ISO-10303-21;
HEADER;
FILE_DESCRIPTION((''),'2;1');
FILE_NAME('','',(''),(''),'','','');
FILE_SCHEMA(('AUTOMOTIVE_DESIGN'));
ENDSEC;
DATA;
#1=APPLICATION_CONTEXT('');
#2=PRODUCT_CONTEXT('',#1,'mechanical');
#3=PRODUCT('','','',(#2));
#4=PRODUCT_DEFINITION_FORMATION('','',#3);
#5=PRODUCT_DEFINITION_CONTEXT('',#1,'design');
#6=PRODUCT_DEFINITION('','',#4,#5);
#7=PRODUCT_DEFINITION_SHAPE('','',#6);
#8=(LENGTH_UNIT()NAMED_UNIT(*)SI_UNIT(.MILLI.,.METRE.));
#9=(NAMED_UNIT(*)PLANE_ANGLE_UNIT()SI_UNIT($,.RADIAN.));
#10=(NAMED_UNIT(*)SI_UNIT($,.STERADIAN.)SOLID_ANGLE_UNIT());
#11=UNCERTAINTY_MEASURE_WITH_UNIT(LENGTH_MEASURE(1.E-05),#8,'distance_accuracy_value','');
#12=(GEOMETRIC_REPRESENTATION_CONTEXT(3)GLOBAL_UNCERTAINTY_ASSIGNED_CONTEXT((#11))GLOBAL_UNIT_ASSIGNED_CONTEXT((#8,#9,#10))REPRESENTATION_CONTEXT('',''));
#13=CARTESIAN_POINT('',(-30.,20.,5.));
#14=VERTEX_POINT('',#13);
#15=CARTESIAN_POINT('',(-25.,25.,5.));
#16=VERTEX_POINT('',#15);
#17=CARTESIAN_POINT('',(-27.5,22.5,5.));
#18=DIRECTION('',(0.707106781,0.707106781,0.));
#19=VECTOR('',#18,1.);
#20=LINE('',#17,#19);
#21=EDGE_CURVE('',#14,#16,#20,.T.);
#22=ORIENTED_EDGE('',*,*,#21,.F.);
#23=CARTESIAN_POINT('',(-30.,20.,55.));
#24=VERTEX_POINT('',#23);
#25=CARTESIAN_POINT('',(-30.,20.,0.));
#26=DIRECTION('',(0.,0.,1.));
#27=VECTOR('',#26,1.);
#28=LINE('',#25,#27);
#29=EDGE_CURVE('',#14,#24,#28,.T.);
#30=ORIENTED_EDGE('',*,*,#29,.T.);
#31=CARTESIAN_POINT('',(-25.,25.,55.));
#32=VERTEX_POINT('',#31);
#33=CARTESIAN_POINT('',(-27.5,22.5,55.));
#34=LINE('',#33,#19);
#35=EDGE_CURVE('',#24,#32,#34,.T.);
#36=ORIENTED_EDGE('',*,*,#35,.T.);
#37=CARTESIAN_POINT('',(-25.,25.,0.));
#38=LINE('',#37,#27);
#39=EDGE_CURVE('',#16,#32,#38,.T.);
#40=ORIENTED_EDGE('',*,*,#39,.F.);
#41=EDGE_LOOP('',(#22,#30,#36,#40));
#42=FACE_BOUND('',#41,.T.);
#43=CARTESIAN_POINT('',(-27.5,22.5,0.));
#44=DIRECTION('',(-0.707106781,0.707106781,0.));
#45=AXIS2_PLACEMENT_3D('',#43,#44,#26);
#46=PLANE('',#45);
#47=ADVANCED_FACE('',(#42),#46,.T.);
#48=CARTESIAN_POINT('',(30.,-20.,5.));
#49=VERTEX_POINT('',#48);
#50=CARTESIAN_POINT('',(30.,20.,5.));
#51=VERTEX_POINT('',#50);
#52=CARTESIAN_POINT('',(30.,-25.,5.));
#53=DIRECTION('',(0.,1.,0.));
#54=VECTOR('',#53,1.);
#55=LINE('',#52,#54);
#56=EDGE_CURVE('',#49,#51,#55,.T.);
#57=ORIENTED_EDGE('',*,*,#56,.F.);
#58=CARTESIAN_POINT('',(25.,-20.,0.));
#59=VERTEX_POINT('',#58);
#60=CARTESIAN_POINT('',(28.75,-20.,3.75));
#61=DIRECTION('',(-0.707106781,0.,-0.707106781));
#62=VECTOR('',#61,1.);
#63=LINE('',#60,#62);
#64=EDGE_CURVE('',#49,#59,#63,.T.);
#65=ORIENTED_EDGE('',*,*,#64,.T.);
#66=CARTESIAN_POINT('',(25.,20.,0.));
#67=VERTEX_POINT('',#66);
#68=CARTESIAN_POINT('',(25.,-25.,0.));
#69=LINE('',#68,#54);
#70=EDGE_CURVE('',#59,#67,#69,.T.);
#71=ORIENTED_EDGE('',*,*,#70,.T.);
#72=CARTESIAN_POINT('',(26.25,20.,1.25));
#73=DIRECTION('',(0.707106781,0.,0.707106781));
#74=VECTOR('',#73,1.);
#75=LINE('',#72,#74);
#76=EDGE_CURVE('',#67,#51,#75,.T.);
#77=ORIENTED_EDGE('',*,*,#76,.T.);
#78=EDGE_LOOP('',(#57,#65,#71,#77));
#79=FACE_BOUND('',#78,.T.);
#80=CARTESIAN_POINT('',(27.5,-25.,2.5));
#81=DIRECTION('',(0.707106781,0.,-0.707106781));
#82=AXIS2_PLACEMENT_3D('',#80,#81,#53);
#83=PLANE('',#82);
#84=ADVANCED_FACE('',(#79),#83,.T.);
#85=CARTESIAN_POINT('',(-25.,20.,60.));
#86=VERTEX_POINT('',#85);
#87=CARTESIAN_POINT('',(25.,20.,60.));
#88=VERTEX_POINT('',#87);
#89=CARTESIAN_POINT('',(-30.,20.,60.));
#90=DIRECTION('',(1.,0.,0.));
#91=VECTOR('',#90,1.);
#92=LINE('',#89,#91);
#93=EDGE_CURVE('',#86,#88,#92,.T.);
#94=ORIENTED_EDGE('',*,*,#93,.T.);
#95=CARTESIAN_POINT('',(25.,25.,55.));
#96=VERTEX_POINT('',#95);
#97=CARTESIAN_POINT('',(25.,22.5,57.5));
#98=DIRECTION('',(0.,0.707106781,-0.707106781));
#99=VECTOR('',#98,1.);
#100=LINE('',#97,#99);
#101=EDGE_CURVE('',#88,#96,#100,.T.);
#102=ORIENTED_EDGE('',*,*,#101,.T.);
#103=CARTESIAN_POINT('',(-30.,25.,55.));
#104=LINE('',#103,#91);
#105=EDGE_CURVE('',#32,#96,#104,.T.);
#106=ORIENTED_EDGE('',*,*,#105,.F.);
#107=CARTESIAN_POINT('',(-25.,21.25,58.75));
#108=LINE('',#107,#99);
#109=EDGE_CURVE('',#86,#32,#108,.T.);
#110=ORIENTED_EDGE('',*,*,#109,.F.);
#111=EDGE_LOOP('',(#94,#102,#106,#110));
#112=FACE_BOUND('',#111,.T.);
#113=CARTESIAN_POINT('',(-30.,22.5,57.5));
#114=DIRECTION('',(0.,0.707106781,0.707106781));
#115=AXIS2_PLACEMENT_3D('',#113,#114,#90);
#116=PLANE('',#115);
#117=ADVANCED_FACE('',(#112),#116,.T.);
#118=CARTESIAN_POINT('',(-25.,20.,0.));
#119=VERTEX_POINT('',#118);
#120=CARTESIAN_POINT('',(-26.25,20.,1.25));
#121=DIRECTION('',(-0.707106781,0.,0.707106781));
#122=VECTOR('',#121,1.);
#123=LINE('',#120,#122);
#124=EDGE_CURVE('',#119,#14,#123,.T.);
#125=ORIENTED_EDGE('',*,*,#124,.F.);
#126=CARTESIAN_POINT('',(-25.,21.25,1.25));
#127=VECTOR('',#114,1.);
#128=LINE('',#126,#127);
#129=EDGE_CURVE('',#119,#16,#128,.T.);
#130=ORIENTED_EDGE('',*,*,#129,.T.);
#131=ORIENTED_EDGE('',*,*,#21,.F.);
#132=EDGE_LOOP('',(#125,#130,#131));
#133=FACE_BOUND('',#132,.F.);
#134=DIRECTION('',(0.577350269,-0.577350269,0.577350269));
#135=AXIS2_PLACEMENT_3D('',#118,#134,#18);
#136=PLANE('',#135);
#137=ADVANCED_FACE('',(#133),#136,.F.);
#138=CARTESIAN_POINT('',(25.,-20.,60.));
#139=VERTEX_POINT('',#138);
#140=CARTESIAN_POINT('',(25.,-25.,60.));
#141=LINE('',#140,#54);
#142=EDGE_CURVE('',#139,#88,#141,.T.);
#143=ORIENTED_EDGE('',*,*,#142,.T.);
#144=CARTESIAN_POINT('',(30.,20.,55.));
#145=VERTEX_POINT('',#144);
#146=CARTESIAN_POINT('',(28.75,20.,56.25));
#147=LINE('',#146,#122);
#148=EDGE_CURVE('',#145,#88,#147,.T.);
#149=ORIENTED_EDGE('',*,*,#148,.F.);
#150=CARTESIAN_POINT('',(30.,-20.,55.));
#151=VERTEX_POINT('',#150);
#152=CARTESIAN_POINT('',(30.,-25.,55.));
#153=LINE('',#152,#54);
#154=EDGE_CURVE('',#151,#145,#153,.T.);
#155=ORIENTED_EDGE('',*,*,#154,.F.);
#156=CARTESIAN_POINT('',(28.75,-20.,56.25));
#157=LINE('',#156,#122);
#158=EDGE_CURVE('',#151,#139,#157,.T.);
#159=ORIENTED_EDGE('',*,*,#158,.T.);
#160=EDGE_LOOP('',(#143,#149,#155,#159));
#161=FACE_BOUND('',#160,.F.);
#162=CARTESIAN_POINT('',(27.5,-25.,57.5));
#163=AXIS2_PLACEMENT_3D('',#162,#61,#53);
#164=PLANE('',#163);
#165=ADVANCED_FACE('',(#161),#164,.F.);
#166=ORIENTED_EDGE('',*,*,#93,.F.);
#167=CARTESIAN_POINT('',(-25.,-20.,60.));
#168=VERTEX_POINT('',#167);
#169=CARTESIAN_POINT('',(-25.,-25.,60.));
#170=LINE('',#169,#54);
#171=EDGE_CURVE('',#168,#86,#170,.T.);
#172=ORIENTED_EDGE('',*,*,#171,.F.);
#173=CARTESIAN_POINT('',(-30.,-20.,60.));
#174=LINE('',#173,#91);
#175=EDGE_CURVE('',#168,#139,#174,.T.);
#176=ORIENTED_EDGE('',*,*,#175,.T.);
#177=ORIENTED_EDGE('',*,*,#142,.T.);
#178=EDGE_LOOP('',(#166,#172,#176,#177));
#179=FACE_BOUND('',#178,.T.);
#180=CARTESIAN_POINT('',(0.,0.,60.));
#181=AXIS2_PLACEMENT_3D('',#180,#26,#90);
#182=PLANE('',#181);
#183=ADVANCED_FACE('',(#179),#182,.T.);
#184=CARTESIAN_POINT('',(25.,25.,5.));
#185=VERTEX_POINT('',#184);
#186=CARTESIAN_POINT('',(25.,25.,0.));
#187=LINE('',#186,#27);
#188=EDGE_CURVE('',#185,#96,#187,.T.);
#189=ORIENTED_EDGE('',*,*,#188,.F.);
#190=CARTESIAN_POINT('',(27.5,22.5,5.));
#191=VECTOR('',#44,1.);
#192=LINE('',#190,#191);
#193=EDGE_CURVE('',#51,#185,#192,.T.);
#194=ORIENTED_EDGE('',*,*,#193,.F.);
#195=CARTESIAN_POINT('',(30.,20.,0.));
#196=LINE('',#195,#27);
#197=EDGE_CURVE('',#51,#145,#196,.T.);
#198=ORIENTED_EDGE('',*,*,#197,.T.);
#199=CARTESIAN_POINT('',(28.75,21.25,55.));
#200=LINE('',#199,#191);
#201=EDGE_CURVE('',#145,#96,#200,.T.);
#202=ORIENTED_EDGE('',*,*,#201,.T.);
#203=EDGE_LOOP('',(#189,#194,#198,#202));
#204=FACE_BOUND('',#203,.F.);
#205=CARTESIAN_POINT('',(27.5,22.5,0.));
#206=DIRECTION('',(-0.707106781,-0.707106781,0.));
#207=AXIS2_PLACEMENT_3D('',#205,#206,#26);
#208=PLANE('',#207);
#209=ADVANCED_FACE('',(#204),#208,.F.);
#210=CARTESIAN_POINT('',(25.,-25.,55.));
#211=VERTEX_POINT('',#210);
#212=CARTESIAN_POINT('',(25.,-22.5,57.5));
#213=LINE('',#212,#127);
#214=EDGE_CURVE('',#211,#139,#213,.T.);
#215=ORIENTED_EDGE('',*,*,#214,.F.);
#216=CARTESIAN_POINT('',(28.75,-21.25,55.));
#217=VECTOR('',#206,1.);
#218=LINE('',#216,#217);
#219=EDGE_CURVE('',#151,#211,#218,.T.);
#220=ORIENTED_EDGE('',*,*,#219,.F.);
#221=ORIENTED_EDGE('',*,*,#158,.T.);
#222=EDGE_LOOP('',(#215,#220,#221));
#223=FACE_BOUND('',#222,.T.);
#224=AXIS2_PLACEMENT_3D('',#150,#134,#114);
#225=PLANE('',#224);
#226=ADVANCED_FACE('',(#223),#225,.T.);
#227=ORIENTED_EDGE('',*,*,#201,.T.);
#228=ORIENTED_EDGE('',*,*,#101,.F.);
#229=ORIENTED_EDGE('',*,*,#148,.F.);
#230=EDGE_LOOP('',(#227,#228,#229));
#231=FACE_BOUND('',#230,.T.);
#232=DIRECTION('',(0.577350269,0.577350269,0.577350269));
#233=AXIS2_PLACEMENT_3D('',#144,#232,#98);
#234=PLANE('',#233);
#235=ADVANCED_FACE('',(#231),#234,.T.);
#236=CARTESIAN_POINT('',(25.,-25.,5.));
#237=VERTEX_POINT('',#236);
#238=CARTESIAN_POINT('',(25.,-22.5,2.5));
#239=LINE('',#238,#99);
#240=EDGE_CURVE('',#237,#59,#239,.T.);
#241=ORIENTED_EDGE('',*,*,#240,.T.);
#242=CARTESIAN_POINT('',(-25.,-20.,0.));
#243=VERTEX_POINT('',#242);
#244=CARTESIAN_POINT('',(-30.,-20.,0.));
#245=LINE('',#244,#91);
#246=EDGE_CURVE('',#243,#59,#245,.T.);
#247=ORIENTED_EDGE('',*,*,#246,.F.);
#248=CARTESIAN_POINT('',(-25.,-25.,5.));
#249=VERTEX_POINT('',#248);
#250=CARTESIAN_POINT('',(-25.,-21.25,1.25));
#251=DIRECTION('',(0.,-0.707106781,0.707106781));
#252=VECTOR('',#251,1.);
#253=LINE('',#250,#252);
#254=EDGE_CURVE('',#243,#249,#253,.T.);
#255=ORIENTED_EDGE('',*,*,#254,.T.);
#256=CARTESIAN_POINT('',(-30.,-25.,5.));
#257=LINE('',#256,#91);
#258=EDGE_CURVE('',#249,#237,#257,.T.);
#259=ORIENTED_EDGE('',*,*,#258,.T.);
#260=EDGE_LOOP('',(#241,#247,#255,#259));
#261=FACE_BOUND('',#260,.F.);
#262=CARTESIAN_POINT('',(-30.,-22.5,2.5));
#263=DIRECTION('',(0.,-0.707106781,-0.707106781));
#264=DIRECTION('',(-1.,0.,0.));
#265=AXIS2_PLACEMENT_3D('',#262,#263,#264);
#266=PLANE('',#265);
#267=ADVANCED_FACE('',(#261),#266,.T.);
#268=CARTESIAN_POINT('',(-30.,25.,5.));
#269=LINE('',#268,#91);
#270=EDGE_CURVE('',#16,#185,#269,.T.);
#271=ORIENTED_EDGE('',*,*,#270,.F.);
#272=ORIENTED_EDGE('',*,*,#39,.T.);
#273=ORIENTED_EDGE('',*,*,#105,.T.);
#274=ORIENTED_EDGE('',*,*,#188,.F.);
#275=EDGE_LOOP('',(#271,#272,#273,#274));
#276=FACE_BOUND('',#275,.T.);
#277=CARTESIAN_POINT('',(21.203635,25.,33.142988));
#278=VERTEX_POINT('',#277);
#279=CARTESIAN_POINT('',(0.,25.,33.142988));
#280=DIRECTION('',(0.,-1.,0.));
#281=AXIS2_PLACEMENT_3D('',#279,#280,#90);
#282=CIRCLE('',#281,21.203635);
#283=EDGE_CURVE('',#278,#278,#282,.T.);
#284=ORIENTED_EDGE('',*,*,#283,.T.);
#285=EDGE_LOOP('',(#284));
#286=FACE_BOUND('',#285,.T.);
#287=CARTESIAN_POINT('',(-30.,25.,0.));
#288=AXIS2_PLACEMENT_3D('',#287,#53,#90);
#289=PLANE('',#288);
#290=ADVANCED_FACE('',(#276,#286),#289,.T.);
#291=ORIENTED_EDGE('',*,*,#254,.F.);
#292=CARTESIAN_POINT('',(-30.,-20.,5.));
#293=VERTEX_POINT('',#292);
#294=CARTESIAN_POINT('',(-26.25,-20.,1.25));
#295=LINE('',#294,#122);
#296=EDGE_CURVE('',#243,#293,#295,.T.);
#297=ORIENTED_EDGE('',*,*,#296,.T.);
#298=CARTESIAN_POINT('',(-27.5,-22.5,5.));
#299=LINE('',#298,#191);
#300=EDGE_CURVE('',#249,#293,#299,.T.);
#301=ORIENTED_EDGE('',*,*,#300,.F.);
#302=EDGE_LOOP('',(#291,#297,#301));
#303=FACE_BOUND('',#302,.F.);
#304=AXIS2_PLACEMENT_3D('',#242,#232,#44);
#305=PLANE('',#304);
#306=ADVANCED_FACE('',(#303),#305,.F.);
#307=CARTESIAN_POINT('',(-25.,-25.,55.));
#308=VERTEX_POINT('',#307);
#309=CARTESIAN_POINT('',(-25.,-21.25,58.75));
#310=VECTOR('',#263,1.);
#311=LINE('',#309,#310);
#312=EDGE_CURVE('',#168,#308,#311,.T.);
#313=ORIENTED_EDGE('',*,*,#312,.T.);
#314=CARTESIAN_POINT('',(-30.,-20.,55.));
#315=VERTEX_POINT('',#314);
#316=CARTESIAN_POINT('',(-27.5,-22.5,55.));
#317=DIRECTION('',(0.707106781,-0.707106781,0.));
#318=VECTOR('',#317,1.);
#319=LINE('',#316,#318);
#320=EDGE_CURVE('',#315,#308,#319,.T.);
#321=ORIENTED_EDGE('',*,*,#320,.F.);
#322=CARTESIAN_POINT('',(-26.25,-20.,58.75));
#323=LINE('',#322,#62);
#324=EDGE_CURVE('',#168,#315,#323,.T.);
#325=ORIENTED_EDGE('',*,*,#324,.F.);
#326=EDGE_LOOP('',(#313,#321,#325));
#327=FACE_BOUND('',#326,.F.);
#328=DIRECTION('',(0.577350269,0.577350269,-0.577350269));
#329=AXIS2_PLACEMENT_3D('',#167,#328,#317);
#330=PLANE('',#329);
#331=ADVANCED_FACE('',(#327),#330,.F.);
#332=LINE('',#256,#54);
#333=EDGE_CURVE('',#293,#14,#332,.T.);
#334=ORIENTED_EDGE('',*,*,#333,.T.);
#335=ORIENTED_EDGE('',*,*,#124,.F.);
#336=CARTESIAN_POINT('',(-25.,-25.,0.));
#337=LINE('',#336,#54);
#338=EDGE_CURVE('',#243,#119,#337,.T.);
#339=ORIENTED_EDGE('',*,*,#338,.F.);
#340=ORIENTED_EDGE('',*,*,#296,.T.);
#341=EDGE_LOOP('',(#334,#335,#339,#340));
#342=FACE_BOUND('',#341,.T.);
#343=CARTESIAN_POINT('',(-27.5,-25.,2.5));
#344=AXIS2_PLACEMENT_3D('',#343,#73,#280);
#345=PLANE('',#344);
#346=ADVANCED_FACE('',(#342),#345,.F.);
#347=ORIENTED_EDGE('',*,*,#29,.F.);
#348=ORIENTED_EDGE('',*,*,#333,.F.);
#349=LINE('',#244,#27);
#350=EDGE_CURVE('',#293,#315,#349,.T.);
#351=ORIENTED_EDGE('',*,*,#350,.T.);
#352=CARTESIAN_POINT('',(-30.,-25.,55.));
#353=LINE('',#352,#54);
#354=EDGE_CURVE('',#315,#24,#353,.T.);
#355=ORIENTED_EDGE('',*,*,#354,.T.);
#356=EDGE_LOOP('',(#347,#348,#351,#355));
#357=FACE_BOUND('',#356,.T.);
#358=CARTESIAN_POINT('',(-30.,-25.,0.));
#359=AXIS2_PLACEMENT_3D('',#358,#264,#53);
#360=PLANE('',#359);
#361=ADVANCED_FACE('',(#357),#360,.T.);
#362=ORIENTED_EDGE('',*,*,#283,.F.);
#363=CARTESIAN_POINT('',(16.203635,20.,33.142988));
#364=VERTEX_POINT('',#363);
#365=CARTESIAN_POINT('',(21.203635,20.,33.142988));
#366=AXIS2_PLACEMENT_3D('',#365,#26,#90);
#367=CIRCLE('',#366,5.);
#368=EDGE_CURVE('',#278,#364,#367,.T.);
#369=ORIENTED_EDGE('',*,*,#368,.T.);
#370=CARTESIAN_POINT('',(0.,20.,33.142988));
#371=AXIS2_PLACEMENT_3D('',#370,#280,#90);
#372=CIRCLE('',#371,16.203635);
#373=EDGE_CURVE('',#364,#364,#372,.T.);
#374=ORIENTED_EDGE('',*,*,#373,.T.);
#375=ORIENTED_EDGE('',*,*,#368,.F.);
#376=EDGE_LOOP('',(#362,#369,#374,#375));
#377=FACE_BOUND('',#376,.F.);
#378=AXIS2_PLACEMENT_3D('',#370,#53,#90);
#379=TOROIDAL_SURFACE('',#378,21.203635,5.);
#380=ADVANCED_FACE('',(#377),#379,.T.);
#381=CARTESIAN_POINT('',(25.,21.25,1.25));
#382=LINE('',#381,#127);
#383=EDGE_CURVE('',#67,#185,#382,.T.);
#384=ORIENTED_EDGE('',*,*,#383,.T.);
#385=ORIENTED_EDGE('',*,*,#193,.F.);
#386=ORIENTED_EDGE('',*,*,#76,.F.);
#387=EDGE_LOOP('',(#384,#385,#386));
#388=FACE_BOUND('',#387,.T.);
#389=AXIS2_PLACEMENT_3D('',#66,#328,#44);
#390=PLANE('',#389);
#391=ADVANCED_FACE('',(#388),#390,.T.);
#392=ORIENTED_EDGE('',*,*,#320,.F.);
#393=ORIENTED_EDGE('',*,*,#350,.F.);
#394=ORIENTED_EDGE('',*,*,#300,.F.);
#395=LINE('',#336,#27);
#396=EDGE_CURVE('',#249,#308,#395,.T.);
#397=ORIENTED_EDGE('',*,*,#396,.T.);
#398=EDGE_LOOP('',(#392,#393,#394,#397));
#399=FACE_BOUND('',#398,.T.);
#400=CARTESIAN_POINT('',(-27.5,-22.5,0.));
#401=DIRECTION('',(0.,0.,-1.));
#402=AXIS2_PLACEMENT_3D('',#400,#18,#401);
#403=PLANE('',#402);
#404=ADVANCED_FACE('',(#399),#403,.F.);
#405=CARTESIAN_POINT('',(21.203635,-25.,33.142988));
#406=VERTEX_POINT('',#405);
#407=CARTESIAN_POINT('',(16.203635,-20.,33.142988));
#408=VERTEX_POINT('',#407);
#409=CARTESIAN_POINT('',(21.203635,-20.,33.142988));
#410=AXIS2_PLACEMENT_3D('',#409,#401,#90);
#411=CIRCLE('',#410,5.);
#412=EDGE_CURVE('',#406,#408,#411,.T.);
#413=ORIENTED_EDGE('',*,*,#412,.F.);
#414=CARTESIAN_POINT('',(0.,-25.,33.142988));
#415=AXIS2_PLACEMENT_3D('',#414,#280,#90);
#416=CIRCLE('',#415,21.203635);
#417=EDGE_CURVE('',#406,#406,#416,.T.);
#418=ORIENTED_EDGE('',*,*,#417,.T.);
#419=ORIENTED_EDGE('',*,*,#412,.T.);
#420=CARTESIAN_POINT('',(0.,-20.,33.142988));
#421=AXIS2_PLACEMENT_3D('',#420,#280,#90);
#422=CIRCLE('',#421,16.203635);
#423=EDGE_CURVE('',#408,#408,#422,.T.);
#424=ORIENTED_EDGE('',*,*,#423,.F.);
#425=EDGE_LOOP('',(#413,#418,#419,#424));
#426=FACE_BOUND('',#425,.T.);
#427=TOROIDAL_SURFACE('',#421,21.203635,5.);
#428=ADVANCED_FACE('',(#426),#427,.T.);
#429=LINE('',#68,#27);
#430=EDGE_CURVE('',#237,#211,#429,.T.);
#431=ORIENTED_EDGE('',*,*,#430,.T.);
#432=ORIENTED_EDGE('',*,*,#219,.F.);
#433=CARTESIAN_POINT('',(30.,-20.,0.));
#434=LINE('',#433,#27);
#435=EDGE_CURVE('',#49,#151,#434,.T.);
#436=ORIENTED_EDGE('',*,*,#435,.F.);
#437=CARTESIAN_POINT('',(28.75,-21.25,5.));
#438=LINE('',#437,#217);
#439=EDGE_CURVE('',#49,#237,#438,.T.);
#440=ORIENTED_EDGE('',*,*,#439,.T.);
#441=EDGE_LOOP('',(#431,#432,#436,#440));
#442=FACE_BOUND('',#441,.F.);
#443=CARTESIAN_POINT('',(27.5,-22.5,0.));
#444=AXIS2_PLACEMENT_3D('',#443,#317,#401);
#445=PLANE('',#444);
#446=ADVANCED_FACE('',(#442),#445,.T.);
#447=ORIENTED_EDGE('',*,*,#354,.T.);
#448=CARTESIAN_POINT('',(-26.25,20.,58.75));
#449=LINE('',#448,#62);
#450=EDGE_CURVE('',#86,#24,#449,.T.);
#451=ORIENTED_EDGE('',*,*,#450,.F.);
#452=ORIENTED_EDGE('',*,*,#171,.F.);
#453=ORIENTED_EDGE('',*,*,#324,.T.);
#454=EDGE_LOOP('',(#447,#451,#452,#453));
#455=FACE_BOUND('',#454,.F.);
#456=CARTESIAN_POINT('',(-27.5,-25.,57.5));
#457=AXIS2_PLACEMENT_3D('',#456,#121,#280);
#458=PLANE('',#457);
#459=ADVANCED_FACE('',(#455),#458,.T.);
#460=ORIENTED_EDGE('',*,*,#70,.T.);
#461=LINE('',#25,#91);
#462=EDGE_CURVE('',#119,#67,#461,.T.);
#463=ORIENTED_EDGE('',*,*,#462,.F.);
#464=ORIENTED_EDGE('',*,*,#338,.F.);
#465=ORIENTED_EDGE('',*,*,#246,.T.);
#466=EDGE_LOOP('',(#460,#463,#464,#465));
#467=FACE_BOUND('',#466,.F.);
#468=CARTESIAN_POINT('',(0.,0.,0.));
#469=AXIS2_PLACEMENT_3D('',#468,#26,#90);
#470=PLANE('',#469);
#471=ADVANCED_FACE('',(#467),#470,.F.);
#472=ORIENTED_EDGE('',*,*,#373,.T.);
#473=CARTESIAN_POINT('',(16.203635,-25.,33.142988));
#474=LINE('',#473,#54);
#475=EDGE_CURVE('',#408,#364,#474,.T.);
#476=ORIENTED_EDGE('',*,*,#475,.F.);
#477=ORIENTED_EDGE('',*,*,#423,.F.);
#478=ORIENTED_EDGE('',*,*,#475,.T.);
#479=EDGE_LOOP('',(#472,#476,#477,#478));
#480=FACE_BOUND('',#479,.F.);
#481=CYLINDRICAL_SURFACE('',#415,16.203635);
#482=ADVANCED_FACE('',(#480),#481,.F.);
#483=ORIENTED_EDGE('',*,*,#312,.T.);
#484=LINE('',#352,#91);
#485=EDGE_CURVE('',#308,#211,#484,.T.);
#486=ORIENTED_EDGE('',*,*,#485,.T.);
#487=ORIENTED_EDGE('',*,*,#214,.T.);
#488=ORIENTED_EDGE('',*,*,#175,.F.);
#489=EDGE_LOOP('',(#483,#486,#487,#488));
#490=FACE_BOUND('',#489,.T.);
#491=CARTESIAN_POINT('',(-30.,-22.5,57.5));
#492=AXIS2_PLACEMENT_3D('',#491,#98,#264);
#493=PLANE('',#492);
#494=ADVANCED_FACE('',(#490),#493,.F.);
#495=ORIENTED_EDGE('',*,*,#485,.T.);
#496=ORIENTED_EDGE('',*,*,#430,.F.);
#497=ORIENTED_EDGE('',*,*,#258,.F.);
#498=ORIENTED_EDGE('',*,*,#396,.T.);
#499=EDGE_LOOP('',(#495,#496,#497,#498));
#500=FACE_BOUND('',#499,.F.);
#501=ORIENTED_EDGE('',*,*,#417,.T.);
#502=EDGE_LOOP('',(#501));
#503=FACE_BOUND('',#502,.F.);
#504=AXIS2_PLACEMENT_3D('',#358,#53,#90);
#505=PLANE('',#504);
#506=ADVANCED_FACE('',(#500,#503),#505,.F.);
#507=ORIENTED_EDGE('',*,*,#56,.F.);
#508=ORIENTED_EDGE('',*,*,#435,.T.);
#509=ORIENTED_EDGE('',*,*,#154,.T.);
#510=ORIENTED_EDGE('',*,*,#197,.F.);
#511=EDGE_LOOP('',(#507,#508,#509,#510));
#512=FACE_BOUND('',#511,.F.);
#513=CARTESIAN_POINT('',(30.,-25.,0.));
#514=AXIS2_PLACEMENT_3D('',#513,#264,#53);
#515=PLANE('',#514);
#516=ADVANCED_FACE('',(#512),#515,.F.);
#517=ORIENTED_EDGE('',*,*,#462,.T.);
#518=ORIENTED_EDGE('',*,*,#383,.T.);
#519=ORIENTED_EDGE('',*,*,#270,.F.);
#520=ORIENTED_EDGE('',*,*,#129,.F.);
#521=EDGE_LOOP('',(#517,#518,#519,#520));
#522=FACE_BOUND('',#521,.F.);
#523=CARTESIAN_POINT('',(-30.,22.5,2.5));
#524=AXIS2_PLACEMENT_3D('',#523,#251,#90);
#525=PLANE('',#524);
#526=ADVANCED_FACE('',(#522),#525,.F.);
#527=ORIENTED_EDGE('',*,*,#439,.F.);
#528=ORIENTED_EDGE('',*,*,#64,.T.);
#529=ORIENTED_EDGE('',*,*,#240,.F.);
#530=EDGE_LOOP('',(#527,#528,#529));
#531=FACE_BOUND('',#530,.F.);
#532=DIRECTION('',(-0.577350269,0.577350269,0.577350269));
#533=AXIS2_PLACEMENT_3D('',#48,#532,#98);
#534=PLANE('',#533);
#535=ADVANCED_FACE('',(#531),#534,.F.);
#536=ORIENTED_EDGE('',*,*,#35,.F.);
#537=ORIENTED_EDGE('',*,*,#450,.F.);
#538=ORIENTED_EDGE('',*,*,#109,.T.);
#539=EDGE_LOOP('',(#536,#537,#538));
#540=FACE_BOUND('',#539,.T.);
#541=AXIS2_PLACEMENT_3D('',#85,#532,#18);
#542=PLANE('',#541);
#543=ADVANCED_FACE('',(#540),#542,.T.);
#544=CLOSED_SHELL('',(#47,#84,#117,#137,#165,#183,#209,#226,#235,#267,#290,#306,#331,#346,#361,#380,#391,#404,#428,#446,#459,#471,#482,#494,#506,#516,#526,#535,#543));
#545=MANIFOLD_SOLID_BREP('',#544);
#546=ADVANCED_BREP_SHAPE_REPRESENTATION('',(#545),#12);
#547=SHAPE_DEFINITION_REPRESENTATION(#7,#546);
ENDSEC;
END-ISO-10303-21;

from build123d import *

# Parameters (mm, degrees)
F0_W     = 60
F0_H     = 50
F1_DEPTH = 60
F2_R     = 16.203635
F3_DEPTH = 50.001
F4_R     = 5
F5_SIZE  = 5


with BuildPart() as f1:
    # F0 (on Top) → F1 (new body)
    with BuildSketch(Plane.XY):
        Rectangle(F0_W, F0_H)
    extrude(amount=F1_DEPTH)

    # F2 (on face) → F3 (cut, through all)
    with BuildSketch(Plane.XZ.offset(25)):
        with Locations((0, 33.142988)):
            Circle(F2_R)
    extrude(amount=-F3_DEPTH, mode=Mode.SUBTRACT)

    # F4
    f4_edges = [f1.edges().sort_by_distance(p)[0] for p in [
        (-16.203635, -25, 33.142988),
        (-16.203635, 25, 33.142988),
    ]]
    fillet(f4_edges, radius=F4_R)

    # F5
    f5_edges = [f1.edges().sort_by_distance(p)[0] for p in [
        (-30, 25, 30),
        (-30, -25, 30),
        (-30, 0, 60),
        (0, 25, 60),
        (0, -25, 60),
        (0, -25, 0),
        (-30, 0, 0),
        (30, -25, 30),
        (30, 0, 60),
        (30, 25, 30),
        (30, 0, 0),
        (0, 25, 0),
    ]]
    chamfer(f5_edges, length=F5_SIZE)


solid = f1.part
